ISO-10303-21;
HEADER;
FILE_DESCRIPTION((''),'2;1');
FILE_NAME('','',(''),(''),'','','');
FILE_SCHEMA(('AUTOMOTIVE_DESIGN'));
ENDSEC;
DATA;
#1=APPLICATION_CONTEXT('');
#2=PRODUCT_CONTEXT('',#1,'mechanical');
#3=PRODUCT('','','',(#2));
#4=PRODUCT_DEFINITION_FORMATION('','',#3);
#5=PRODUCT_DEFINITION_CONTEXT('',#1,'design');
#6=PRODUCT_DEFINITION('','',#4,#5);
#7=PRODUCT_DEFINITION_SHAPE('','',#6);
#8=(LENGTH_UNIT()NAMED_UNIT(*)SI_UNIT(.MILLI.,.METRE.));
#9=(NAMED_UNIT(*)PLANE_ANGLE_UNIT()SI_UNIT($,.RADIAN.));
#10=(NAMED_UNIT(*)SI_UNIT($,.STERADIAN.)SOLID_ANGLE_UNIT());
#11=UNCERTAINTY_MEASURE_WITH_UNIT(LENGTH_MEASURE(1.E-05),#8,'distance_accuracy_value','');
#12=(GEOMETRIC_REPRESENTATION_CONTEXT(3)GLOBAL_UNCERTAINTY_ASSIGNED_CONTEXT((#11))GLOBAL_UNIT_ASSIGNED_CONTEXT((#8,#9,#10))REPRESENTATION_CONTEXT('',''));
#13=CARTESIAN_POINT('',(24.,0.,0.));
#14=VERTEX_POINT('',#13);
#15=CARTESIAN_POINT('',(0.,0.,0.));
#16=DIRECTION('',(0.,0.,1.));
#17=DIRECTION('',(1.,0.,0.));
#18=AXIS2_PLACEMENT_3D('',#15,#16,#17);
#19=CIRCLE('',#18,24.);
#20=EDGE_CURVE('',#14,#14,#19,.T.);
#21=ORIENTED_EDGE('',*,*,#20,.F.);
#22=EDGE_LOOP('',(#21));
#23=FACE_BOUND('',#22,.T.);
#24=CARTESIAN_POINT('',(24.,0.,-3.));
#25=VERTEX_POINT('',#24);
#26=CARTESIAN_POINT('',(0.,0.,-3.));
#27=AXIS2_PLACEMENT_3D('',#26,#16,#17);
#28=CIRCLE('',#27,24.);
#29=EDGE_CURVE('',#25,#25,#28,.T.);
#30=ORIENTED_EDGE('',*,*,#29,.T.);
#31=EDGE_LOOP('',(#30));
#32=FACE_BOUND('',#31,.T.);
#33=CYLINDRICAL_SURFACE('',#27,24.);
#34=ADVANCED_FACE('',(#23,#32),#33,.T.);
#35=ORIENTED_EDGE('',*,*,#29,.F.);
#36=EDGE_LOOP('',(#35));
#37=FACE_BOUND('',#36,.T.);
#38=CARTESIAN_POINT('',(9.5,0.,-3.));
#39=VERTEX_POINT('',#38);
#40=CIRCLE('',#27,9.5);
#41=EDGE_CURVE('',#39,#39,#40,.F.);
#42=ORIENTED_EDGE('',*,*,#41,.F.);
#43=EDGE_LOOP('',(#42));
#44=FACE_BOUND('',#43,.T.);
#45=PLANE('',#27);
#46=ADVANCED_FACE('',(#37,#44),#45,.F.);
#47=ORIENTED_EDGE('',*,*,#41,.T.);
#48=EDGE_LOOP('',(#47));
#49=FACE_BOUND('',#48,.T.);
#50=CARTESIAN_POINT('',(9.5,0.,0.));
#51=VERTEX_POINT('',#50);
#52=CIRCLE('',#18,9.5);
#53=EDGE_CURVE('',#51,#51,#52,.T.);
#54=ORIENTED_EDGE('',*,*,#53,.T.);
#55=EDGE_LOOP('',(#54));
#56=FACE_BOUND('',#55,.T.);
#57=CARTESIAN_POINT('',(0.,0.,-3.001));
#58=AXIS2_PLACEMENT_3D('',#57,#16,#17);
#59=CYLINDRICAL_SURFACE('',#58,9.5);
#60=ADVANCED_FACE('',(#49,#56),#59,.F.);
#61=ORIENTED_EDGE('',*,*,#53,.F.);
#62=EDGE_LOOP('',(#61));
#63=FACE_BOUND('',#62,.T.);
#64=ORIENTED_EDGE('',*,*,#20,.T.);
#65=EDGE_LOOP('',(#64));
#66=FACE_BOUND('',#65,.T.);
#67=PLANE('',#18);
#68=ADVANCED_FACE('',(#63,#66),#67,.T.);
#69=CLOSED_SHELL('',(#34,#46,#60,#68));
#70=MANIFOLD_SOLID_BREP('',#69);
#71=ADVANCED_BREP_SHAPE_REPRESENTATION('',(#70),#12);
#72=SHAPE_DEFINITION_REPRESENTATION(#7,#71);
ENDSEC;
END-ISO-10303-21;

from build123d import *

# Parameters (mm, degrees)
SKETCH1_R           = 24
BOSS_EXTRUDE1_DEPTH = 3
CUT_EXTRUDE1_REACH  = 5
SKETCH2_R           = 9.5


with BuildPart() as part:
    # Sketch1 → Boss-Extrude1 (new body)
    with BuildSketch(Plane.XY):
        Circle(SKETCH1_R)
    extrude(amount=-BOSS_EXTRUDE1_DEPTH)

    # Sketch2 → Cut-Extrude1 (cut, up to next)
    with BuildSketch(Plane.XY, mode=Mode.PRIVATE) as cut_extrude1_sk1:
        Circle(SKETCH2_R)
    cut_extrude1_tool1 = extrude(cut_extrude1_sk1.sketch, amount=-CUT_EXTRUDE1_REACH, mode=Mode.PRIVATE) & part.part
    add(cut_extrude1_tool1.solids().sort_by_distance((0, 0, 0))[0], mode=Mode.SUBTRACT)


solid = part.part
